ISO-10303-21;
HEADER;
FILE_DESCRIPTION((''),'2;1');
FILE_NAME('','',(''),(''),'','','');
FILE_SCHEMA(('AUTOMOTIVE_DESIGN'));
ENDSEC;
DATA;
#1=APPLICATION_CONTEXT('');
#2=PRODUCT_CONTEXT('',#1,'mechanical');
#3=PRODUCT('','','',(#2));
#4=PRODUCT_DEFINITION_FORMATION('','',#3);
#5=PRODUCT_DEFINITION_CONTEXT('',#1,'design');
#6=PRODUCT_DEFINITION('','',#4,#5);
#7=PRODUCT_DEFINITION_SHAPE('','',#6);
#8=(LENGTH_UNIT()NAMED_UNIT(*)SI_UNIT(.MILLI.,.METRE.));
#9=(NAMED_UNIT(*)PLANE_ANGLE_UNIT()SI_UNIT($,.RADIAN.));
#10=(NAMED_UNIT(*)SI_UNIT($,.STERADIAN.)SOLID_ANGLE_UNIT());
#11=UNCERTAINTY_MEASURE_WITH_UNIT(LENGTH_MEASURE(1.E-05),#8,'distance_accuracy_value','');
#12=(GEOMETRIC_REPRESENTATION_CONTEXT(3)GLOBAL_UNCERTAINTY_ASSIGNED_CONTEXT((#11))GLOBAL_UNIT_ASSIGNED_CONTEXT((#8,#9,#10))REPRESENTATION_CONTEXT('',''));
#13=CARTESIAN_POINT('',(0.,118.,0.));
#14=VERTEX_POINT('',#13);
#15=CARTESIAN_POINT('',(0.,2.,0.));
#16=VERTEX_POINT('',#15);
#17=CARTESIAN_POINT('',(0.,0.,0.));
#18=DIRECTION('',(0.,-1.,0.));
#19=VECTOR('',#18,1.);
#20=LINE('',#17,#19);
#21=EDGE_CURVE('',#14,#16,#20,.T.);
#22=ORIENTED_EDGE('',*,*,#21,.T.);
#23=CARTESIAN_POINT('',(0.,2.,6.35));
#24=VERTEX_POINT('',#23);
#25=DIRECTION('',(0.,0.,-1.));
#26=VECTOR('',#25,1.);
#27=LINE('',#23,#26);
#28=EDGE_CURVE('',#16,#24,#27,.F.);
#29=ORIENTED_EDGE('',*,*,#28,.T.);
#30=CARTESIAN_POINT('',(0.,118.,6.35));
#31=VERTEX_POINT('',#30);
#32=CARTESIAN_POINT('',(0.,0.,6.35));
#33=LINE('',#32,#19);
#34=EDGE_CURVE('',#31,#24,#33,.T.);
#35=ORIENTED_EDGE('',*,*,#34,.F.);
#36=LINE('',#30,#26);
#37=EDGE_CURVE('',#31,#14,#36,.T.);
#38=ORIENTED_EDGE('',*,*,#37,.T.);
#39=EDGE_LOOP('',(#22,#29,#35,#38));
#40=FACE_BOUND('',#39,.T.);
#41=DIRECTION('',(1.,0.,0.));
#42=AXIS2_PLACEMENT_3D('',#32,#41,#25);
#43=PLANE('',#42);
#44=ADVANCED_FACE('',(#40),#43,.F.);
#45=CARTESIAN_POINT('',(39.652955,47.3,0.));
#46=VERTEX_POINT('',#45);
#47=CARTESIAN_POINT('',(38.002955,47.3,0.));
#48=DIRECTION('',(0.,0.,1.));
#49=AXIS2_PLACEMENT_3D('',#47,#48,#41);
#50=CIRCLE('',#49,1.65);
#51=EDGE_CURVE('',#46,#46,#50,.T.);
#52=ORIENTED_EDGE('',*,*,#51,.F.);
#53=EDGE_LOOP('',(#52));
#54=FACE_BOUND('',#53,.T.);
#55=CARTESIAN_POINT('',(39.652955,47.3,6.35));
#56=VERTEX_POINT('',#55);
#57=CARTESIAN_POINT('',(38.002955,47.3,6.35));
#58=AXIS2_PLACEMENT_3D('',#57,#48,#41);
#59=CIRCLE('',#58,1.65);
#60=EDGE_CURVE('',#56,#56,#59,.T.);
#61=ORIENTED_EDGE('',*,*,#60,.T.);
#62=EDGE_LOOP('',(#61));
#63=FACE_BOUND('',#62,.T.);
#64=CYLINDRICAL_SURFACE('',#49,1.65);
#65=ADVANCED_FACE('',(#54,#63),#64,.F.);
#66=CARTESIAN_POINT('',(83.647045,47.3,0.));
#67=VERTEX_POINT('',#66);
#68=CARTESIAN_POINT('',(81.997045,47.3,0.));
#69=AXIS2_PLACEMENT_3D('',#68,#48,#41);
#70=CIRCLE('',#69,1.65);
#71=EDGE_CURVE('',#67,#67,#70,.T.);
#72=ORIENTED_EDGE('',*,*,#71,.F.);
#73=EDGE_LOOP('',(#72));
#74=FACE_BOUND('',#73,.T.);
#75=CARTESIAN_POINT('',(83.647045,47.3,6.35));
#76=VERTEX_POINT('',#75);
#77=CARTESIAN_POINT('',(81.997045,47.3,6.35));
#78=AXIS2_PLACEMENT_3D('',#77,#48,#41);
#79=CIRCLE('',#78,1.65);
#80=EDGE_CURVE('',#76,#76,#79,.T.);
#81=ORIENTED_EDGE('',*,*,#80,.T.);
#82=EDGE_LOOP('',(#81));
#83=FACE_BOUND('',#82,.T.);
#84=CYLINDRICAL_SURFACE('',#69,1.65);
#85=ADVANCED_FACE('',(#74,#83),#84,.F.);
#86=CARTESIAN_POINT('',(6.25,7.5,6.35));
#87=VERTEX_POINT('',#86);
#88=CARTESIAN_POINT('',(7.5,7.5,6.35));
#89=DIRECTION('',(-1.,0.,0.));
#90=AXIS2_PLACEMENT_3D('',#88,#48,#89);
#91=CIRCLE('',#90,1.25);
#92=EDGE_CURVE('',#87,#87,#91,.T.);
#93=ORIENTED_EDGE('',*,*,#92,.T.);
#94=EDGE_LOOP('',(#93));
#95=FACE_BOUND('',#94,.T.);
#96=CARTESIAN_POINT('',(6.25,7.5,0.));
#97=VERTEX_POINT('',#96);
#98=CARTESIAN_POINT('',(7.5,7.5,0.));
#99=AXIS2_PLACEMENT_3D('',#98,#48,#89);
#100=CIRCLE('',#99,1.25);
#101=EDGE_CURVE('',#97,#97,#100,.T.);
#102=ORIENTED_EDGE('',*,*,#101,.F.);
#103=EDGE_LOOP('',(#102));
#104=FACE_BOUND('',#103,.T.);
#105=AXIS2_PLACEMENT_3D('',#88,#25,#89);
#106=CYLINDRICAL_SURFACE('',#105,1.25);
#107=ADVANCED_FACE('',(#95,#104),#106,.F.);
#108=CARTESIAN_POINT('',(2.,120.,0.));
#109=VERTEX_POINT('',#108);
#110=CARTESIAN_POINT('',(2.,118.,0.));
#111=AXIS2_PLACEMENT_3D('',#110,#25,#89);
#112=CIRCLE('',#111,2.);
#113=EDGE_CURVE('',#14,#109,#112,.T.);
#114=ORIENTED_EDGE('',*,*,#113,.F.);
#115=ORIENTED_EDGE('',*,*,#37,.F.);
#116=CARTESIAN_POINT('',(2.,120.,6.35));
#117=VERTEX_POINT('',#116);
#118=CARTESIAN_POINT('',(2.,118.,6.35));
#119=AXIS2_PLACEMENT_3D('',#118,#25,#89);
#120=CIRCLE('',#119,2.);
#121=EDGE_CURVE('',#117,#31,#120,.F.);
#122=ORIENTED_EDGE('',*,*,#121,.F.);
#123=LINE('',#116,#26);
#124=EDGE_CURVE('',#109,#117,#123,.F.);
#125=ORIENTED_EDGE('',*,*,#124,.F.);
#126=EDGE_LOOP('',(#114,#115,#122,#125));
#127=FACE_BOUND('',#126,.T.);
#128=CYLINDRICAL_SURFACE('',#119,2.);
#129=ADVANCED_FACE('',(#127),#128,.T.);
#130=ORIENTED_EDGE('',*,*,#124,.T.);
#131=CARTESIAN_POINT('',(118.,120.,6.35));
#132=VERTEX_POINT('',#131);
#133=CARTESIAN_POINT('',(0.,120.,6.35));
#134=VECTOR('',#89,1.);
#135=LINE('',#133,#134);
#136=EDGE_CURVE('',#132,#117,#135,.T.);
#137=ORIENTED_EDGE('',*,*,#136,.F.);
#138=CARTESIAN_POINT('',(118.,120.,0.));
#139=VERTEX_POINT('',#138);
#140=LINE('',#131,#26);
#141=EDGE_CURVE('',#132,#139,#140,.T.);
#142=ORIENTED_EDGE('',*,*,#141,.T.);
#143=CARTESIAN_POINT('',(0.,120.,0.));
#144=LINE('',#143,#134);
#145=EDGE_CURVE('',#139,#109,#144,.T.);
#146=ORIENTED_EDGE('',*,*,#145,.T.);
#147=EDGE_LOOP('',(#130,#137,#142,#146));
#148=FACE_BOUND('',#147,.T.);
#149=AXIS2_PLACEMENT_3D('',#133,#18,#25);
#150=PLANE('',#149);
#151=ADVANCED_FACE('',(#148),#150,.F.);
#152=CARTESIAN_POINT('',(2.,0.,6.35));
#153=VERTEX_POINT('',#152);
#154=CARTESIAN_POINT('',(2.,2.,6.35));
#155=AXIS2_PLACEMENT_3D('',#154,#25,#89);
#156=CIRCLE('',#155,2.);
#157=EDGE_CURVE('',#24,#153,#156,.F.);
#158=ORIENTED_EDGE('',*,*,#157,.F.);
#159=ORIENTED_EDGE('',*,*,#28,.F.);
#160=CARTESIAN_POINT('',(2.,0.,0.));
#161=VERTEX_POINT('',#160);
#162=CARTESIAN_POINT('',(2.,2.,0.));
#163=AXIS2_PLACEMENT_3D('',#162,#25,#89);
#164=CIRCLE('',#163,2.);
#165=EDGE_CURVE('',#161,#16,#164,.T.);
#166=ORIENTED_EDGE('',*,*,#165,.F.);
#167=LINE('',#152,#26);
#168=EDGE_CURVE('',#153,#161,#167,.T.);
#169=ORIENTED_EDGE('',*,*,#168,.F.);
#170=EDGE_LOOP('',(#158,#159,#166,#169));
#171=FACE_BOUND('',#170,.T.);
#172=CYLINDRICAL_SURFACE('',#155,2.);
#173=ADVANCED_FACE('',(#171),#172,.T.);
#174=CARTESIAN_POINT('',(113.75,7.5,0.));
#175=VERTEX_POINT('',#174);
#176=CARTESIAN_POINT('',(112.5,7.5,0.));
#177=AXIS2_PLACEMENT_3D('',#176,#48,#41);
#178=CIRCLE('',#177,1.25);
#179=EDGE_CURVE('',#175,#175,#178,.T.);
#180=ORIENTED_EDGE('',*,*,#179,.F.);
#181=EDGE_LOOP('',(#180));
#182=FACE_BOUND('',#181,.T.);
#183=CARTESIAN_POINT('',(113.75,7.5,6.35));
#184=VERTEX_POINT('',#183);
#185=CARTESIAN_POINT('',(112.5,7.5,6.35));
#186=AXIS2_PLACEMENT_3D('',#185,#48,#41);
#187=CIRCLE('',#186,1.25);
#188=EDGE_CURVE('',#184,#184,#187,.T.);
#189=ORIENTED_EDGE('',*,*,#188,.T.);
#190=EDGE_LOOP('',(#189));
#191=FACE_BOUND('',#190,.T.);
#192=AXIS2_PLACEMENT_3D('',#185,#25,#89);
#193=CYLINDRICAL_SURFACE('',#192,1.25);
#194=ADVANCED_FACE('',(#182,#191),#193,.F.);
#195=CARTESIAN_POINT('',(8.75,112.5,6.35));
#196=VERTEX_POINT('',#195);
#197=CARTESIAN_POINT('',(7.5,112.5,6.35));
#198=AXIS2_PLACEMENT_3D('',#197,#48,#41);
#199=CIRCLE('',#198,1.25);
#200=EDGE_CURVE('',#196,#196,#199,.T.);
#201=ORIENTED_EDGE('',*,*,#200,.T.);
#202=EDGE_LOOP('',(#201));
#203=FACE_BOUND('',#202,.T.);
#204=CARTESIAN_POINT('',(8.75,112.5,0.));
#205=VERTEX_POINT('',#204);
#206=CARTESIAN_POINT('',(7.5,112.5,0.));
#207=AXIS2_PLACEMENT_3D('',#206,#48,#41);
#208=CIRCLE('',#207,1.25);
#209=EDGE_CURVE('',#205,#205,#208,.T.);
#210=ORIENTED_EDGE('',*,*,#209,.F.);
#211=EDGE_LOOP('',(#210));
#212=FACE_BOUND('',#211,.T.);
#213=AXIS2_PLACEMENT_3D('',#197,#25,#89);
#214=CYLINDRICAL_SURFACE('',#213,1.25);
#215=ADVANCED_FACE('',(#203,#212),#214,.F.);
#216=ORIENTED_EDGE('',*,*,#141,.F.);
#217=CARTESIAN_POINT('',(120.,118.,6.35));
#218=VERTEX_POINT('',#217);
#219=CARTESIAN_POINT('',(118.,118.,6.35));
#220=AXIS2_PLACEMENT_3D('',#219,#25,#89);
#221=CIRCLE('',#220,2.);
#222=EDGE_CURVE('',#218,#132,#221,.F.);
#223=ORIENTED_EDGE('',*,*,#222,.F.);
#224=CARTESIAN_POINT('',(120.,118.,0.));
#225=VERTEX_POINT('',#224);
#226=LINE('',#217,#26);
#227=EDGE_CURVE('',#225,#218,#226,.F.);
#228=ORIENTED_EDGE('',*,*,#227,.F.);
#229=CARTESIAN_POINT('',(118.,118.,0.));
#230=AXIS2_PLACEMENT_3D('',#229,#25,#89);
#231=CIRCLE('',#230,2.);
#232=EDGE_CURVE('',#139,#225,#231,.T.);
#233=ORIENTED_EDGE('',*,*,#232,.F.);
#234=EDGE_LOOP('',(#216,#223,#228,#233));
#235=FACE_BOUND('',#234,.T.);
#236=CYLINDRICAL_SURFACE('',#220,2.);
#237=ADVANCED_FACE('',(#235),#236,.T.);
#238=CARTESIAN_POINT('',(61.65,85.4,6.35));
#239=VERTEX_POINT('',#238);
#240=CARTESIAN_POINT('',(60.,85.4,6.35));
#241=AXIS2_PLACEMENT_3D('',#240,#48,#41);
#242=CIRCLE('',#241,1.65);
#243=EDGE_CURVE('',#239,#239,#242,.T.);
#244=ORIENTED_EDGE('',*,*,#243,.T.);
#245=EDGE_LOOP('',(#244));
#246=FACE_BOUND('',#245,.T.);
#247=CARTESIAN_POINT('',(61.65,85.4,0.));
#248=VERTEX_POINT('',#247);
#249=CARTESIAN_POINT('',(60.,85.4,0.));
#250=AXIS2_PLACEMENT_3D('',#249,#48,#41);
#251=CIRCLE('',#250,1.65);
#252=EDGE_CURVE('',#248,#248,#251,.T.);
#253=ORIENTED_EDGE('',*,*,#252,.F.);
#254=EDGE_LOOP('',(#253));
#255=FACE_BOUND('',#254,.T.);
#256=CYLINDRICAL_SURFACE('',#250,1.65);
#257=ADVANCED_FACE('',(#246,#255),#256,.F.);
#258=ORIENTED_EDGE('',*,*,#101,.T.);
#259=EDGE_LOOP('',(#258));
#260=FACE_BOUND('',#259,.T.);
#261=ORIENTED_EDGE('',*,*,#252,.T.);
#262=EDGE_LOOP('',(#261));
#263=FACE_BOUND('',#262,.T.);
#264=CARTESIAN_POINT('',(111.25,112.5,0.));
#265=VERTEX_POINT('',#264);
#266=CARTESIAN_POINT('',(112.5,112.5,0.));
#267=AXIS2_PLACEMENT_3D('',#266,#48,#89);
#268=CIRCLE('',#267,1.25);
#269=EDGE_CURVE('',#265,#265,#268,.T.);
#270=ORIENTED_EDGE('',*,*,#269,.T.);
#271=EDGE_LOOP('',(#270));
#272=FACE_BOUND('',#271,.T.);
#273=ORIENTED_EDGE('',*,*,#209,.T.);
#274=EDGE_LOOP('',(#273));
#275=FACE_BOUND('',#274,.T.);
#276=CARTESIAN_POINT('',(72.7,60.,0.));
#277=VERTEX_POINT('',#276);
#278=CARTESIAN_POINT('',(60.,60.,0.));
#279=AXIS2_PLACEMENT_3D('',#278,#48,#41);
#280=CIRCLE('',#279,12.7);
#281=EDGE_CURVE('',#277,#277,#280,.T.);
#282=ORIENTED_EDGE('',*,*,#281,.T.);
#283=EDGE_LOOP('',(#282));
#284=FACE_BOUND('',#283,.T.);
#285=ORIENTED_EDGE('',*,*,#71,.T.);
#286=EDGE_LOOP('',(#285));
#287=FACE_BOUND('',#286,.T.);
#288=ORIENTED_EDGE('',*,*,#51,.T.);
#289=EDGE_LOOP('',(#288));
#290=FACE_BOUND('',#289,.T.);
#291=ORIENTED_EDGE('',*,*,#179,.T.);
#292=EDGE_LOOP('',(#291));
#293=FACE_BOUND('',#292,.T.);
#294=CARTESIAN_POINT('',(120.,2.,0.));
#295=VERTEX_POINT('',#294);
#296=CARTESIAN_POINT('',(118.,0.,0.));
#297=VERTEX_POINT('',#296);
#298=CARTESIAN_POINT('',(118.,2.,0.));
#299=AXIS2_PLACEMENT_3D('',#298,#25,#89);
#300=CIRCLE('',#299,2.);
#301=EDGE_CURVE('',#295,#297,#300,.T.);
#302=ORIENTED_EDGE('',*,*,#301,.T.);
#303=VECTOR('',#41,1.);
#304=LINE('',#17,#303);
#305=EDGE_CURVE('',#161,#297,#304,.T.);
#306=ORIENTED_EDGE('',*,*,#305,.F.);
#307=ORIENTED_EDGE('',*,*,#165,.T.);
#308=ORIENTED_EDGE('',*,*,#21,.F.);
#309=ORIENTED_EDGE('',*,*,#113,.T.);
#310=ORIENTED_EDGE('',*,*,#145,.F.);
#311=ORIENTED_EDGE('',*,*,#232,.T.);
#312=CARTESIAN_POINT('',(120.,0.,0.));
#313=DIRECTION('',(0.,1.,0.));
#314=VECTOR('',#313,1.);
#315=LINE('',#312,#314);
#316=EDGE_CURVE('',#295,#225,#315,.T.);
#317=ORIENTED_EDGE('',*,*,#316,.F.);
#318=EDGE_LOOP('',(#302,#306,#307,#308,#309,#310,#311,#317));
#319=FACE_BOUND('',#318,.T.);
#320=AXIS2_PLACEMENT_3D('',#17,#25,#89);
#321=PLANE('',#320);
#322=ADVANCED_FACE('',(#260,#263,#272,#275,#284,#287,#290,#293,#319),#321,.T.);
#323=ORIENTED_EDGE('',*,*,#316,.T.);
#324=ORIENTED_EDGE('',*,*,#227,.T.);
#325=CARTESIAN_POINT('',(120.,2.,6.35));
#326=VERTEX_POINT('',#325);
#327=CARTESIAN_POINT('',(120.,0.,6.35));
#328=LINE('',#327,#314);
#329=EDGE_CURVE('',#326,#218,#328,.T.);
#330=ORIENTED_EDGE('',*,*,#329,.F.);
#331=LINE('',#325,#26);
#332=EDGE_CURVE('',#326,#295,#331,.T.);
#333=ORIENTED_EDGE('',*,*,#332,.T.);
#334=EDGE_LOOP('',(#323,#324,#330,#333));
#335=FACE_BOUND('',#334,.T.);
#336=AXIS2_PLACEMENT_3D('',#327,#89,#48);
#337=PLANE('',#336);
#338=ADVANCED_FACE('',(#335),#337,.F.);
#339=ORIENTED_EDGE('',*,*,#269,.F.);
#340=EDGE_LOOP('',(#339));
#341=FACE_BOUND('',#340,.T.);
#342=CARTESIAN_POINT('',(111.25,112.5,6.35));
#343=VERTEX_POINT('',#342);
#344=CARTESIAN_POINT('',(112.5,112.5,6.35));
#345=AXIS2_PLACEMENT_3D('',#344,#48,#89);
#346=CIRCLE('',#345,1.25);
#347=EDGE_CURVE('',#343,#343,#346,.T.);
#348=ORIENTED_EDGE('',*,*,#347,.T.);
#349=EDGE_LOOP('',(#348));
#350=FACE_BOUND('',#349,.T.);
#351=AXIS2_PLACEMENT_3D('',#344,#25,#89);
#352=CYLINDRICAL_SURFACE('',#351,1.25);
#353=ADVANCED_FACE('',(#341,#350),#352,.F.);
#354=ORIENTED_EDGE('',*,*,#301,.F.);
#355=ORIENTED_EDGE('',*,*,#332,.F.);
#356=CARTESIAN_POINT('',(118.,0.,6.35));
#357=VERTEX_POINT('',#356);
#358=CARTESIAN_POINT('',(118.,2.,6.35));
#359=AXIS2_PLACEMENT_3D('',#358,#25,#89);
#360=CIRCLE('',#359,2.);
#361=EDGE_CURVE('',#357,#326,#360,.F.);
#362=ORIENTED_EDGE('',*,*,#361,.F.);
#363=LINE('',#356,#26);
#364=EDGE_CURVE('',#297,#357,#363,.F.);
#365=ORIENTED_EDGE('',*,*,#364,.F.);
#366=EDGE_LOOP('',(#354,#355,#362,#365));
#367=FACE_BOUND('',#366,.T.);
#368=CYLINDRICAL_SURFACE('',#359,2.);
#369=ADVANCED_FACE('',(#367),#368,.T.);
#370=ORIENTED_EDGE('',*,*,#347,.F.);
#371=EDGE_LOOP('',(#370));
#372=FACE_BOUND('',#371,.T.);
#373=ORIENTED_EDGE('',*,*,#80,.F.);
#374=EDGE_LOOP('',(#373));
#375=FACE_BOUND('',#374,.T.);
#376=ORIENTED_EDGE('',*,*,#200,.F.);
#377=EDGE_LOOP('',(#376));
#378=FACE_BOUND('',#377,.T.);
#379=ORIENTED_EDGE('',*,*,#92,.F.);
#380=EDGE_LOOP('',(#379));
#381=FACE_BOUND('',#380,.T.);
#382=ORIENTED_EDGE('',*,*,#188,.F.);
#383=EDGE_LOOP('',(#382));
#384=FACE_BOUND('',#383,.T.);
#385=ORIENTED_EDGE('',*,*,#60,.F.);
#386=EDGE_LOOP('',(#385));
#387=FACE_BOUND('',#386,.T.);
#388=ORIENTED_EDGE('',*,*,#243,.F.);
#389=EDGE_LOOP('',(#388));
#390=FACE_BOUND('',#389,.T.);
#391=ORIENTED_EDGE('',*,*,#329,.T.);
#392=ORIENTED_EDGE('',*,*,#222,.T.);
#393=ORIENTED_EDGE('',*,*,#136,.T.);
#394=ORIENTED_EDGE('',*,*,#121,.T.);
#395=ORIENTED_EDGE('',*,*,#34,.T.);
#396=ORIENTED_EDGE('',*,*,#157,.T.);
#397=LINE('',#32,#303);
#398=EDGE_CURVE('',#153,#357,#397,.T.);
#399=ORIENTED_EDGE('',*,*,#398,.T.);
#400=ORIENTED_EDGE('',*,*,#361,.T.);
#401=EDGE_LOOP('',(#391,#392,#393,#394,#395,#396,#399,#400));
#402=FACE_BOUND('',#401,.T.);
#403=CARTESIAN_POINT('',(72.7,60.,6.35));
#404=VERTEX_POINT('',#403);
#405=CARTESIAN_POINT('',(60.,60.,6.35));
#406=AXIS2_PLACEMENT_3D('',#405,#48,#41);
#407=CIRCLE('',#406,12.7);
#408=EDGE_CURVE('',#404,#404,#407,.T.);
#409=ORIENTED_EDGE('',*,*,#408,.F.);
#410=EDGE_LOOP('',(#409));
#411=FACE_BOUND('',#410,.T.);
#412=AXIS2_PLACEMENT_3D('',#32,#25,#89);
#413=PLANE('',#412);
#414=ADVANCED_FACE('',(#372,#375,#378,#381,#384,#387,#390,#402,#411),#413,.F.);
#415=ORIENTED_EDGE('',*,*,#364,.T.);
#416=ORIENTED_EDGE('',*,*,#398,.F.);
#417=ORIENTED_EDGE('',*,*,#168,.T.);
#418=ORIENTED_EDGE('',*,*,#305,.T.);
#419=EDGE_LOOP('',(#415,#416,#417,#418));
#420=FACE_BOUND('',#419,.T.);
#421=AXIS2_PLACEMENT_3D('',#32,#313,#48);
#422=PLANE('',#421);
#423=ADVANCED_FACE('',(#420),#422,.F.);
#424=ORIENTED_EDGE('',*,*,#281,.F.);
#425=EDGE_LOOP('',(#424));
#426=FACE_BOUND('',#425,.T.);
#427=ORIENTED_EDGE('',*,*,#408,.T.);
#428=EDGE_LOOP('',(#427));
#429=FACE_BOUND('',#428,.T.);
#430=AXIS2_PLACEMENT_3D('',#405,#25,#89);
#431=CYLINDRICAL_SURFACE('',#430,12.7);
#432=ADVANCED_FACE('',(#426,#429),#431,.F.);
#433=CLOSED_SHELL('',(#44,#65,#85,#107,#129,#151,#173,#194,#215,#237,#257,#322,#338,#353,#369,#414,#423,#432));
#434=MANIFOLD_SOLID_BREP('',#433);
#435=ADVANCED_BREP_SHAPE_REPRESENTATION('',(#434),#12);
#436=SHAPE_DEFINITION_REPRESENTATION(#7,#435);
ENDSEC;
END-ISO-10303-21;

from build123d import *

# Parameters (mm, degrees)
ESQUISSE1_W             = 120
ESQUISSE1_H             = 120
ESQUISSE1_R             = 1.25
ESQUISSE1_R_2           = 12.7
BOSS_EXTRU_1_DEPTH      = 6.35
CONG_1_R                = 2
ESQUISSE2_R             = 1.65
ENL_V_MAT_EXTRU_1_DEPTH = 7.35


with BuildPart() as part:
    # Esquisse1 → Boss.-Extru.1 (new body)
    with BuildSketch(Plane.XY):
        with Locations((60, 60)):
            Rectangle(ESQUISSE1_W, ESQUISSE1_H)
        with Locations((7.5, 112.5)):
            Circle(ESQUISSE1_R, mode=Mode.SUBTRACT)
        with Locations((112.5, 112.5)):
            Circle(ESQUISSE1_R, mode=Mode.SUBTRACT)
        with Locations((112.5, 7.5)):
            Circle(ESQUISSE1_R, mode=Mode.SUBTRACT)
        with Locations((7.5, 7.5)):
            Circle(ESQUISSE1_R, mode=Mode.SUBTRACT)
        with Locations((60, 60)):
            Circle(ESQUISSE1_R_2, mode=Mode.SUBTRACT)
    extrude(amount=BOSS_EXTRU_1_DEPTH)

    # Congé1
    cong_1_edges = [part.edges().sort_by_distance(p)[0] for p in [
        (0, 120, 3.175),
        (120, 120, 3.175),
        (120, 0, 3.175),
        (0, 0, 3.175),
    ]]
    fillet(cong_1_edges, radius=CONG_1_R)

    # Esquisse2 → Enlèv. mat.-Extru.1 (cut, through all)
    with BuildSketch(Plane.XY.offset(6.35)):
        with Locations((60, 85.4)):
            Circle(ESQUISSE2_R)
        with Locations((38.002954744, 47.3)):
            Circle(ESQUISSE2_R)
        with Locations((81.997045256, 47.3)):
            Circle(ESQUISSE2_R)
    extrude(amount=-ENL_V_MAT_EXTRU_1_DEPTH, mode=Mode.SUBTRACT)


solid = part.part
